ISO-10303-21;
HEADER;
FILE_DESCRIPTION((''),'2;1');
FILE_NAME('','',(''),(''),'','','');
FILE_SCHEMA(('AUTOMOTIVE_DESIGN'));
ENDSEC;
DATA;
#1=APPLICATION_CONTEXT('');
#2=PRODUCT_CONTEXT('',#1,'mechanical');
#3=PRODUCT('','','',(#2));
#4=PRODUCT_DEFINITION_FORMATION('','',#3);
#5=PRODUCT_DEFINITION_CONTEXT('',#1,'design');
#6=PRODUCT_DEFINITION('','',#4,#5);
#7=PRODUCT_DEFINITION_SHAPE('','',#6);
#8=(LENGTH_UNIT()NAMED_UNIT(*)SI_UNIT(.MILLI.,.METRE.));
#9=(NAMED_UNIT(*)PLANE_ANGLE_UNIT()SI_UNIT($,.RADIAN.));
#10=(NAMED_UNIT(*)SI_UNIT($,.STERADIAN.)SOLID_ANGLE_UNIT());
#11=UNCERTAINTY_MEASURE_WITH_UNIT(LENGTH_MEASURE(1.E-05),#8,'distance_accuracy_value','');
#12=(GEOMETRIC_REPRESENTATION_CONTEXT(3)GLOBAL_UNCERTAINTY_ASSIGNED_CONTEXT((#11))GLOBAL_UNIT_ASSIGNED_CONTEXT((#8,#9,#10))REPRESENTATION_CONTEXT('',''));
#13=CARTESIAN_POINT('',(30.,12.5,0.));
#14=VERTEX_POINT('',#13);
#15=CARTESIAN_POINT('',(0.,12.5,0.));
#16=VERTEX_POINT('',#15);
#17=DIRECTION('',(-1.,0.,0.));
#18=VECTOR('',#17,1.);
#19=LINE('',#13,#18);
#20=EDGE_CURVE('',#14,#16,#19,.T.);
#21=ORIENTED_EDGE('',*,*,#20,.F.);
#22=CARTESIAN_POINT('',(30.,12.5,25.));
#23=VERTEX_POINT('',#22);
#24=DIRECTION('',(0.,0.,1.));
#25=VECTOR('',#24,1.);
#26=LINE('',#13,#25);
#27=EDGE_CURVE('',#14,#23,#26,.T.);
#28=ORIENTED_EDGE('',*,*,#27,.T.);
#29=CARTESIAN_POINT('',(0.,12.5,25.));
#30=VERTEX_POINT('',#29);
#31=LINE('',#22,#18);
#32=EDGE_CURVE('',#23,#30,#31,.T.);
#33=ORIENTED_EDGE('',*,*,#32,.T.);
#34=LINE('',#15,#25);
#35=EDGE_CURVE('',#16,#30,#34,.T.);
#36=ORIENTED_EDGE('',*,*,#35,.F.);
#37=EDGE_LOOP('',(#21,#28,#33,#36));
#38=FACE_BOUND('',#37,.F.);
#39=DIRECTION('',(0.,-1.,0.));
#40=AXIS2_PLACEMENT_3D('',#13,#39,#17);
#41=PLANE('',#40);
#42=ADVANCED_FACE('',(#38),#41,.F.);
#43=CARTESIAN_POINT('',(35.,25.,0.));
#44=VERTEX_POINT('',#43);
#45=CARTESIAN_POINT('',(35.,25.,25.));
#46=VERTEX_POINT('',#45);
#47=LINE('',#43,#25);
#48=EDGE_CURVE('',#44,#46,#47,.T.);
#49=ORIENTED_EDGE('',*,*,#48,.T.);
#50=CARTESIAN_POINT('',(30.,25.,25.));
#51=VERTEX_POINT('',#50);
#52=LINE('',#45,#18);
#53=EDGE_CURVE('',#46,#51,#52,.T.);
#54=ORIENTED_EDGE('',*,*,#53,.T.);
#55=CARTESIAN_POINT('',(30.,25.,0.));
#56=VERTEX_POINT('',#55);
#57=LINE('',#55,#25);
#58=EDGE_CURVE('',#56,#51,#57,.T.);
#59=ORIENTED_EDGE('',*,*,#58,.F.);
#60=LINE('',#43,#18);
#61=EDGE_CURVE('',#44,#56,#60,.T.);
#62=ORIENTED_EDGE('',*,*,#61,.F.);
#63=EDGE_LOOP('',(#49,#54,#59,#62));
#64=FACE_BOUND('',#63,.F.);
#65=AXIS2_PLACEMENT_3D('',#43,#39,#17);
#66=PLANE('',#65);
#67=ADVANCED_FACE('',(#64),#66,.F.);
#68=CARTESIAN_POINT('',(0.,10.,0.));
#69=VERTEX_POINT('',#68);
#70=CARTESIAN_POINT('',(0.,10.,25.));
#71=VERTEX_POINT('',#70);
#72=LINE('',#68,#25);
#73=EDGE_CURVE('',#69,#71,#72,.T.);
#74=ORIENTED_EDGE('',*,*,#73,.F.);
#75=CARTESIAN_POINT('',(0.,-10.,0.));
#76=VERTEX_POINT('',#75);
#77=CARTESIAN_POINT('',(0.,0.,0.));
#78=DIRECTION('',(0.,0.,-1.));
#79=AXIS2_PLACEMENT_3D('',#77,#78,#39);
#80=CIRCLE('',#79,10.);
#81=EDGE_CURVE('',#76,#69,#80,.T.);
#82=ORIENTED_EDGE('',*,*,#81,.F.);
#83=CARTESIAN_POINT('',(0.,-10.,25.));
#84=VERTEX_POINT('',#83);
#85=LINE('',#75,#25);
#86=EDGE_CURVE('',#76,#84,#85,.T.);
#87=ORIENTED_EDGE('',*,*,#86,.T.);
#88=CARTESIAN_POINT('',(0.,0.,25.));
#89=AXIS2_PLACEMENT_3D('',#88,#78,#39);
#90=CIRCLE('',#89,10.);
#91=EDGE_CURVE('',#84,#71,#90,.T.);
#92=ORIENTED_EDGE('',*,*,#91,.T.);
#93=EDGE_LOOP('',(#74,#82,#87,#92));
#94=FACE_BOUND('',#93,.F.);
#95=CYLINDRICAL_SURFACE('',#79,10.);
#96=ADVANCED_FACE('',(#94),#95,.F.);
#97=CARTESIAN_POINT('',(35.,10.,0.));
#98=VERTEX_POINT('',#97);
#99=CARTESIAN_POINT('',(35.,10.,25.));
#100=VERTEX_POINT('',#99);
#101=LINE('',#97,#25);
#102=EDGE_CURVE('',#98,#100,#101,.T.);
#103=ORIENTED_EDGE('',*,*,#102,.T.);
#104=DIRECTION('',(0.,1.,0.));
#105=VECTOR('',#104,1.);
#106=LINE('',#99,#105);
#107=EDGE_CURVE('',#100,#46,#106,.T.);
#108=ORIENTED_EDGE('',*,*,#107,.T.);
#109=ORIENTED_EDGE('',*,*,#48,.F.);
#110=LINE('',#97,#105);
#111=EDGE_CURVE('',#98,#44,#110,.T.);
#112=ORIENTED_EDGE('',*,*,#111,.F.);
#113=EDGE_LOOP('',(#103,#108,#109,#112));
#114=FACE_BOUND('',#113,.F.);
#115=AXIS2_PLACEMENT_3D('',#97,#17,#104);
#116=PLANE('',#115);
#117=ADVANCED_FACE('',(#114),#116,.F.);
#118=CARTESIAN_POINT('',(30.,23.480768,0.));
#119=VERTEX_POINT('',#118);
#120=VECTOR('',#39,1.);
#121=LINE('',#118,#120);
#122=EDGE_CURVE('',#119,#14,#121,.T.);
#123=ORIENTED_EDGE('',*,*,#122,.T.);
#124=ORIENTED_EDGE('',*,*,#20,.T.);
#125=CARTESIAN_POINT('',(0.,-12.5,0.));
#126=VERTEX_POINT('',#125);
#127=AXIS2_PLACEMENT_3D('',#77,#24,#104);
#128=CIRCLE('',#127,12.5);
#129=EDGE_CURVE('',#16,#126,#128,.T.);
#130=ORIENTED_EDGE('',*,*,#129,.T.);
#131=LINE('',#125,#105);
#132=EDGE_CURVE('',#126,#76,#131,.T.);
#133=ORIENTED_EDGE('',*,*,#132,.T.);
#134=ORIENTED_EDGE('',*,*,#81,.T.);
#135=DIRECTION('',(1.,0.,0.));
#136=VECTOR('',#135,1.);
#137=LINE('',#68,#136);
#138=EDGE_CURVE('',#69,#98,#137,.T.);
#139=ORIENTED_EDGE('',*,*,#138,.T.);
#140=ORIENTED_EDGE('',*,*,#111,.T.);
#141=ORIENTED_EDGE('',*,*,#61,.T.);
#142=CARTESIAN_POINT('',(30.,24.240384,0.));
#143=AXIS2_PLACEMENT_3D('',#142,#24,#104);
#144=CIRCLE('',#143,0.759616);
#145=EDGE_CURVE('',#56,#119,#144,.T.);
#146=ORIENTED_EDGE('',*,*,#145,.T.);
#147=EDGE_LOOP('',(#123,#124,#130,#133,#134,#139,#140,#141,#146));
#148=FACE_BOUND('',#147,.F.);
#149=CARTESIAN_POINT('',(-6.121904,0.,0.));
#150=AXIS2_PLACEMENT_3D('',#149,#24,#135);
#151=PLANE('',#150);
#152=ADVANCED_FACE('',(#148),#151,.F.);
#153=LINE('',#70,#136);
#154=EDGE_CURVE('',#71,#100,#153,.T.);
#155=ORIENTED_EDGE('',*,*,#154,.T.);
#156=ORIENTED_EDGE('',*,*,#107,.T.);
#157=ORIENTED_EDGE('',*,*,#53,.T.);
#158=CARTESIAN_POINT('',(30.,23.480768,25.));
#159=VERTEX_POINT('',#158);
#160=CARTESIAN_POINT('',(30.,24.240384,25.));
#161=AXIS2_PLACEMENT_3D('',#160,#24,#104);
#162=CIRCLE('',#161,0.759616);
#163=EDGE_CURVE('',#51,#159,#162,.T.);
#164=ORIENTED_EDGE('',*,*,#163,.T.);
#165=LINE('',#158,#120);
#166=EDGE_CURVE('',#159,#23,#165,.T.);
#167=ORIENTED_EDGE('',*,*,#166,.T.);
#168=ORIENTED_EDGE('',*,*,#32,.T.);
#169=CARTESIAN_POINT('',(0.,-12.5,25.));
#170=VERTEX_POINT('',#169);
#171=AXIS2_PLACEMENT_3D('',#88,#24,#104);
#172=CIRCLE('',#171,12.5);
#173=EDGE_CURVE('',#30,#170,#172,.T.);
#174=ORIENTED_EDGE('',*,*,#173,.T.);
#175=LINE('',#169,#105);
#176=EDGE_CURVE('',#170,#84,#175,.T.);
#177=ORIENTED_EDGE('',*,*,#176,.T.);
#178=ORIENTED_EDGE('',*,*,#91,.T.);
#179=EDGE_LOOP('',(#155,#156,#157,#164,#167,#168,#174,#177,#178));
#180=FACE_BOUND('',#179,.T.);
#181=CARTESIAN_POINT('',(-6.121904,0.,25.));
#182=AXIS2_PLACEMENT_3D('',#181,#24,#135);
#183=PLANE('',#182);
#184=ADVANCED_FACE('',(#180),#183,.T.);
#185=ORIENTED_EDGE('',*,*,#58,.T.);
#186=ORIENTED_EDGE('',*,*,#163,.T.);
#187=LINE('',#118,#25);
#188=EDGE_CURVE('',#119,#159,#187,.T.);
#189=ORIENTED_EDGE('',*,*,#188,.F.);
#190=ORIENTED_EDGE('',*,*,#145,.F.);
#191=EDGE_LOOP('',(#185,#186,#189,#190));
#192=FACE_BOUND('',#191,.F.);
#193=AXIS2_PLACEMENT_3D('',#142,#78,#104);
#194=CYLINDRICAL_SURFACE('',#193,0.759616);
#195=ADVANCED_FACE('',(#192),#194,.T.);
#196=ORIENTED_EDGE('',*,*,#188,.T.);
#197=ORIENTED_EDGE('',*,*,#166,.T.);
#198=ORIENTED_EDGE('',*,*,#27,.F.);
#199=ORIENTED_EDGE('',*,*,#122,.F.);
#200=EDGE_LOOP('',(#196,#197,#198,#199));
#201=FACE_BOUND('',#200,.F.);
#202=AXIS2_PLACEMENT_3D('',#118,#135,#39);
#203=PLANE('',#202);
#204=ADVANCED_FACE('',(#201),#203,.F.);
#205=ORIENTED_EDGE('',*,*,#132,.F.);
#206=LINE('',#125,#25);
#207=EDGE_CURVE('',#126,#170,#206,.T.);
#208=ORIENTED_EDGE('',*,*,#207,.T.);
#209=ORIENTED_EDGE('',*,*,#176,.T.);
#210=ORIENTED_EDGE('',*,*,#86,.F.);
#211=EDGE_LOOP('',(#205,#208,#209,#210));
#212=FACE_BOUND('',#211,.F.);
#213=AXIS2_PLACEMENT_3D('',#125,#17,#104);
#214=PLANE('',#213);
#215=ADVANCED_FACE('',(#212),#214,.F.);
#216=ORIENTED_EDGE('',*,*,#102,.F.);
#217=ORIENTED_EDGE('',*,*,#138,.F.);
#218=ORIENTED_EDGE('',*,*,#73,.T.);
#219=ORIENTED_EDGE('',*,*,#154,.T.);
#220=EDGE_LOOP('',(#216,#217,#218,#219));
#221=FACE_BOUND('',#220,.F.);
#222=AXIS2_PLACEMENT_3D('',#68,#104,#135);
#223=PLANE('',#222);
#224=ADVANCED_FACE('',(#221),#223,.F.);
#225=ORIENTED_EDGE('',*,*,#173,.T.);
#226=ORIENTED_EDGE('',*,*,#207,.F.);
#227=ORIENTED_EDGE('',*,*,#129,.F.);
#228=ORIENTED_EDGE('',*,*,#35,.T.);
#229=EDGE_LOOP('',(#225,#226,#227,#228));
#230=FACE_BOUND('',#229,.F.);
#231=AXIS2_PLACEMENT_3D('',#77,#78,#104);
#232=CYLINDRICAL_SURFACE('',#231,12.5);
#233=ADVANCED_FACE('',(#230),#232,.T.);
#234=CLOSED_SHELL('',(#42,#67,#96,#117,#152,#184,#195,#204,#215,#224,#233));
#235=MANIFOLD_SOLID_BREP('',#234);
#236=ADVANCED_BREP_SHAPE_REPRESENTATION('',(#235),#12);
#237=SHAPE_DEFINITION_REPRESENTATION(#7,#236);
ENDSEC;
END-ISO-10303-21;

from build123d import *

# Parameters (mm, degrees)
F1_DEPTH = 25


with BuildPart() as f1:
    # F0 (on Top) → F1 (new body)
    with BuildSketch(Plane.XY):
        with BuildLine():
            ThreePointArc((0, -10), (-10, 0), (0, 10))
            Line((0, 10), (0, 12.5))
            ThreePointArc((0, 12.5), (-12.5, 0), (0, -12.5))
            Line((0, -12.5), (0, -10))
        make_face()
        with BuildLine():
            Line((0, 12.5), (0, 10))
            Line((0, 10), (30, 10))
            Line((30, 10), (35, 10))
            Line((35, 10), (35, 25))
            Line((35, 25), (30, 25))
            ThreePointArc((30, 25), (29.240384, 24.240384), (30, 23.480768))
            Line((30, 23.480768), (30, 12.5))
            Line((30, 12.5), (0, 12.5))
        make_face()
    extrude(amount=F1_DEPTH)


solid = f1.part
